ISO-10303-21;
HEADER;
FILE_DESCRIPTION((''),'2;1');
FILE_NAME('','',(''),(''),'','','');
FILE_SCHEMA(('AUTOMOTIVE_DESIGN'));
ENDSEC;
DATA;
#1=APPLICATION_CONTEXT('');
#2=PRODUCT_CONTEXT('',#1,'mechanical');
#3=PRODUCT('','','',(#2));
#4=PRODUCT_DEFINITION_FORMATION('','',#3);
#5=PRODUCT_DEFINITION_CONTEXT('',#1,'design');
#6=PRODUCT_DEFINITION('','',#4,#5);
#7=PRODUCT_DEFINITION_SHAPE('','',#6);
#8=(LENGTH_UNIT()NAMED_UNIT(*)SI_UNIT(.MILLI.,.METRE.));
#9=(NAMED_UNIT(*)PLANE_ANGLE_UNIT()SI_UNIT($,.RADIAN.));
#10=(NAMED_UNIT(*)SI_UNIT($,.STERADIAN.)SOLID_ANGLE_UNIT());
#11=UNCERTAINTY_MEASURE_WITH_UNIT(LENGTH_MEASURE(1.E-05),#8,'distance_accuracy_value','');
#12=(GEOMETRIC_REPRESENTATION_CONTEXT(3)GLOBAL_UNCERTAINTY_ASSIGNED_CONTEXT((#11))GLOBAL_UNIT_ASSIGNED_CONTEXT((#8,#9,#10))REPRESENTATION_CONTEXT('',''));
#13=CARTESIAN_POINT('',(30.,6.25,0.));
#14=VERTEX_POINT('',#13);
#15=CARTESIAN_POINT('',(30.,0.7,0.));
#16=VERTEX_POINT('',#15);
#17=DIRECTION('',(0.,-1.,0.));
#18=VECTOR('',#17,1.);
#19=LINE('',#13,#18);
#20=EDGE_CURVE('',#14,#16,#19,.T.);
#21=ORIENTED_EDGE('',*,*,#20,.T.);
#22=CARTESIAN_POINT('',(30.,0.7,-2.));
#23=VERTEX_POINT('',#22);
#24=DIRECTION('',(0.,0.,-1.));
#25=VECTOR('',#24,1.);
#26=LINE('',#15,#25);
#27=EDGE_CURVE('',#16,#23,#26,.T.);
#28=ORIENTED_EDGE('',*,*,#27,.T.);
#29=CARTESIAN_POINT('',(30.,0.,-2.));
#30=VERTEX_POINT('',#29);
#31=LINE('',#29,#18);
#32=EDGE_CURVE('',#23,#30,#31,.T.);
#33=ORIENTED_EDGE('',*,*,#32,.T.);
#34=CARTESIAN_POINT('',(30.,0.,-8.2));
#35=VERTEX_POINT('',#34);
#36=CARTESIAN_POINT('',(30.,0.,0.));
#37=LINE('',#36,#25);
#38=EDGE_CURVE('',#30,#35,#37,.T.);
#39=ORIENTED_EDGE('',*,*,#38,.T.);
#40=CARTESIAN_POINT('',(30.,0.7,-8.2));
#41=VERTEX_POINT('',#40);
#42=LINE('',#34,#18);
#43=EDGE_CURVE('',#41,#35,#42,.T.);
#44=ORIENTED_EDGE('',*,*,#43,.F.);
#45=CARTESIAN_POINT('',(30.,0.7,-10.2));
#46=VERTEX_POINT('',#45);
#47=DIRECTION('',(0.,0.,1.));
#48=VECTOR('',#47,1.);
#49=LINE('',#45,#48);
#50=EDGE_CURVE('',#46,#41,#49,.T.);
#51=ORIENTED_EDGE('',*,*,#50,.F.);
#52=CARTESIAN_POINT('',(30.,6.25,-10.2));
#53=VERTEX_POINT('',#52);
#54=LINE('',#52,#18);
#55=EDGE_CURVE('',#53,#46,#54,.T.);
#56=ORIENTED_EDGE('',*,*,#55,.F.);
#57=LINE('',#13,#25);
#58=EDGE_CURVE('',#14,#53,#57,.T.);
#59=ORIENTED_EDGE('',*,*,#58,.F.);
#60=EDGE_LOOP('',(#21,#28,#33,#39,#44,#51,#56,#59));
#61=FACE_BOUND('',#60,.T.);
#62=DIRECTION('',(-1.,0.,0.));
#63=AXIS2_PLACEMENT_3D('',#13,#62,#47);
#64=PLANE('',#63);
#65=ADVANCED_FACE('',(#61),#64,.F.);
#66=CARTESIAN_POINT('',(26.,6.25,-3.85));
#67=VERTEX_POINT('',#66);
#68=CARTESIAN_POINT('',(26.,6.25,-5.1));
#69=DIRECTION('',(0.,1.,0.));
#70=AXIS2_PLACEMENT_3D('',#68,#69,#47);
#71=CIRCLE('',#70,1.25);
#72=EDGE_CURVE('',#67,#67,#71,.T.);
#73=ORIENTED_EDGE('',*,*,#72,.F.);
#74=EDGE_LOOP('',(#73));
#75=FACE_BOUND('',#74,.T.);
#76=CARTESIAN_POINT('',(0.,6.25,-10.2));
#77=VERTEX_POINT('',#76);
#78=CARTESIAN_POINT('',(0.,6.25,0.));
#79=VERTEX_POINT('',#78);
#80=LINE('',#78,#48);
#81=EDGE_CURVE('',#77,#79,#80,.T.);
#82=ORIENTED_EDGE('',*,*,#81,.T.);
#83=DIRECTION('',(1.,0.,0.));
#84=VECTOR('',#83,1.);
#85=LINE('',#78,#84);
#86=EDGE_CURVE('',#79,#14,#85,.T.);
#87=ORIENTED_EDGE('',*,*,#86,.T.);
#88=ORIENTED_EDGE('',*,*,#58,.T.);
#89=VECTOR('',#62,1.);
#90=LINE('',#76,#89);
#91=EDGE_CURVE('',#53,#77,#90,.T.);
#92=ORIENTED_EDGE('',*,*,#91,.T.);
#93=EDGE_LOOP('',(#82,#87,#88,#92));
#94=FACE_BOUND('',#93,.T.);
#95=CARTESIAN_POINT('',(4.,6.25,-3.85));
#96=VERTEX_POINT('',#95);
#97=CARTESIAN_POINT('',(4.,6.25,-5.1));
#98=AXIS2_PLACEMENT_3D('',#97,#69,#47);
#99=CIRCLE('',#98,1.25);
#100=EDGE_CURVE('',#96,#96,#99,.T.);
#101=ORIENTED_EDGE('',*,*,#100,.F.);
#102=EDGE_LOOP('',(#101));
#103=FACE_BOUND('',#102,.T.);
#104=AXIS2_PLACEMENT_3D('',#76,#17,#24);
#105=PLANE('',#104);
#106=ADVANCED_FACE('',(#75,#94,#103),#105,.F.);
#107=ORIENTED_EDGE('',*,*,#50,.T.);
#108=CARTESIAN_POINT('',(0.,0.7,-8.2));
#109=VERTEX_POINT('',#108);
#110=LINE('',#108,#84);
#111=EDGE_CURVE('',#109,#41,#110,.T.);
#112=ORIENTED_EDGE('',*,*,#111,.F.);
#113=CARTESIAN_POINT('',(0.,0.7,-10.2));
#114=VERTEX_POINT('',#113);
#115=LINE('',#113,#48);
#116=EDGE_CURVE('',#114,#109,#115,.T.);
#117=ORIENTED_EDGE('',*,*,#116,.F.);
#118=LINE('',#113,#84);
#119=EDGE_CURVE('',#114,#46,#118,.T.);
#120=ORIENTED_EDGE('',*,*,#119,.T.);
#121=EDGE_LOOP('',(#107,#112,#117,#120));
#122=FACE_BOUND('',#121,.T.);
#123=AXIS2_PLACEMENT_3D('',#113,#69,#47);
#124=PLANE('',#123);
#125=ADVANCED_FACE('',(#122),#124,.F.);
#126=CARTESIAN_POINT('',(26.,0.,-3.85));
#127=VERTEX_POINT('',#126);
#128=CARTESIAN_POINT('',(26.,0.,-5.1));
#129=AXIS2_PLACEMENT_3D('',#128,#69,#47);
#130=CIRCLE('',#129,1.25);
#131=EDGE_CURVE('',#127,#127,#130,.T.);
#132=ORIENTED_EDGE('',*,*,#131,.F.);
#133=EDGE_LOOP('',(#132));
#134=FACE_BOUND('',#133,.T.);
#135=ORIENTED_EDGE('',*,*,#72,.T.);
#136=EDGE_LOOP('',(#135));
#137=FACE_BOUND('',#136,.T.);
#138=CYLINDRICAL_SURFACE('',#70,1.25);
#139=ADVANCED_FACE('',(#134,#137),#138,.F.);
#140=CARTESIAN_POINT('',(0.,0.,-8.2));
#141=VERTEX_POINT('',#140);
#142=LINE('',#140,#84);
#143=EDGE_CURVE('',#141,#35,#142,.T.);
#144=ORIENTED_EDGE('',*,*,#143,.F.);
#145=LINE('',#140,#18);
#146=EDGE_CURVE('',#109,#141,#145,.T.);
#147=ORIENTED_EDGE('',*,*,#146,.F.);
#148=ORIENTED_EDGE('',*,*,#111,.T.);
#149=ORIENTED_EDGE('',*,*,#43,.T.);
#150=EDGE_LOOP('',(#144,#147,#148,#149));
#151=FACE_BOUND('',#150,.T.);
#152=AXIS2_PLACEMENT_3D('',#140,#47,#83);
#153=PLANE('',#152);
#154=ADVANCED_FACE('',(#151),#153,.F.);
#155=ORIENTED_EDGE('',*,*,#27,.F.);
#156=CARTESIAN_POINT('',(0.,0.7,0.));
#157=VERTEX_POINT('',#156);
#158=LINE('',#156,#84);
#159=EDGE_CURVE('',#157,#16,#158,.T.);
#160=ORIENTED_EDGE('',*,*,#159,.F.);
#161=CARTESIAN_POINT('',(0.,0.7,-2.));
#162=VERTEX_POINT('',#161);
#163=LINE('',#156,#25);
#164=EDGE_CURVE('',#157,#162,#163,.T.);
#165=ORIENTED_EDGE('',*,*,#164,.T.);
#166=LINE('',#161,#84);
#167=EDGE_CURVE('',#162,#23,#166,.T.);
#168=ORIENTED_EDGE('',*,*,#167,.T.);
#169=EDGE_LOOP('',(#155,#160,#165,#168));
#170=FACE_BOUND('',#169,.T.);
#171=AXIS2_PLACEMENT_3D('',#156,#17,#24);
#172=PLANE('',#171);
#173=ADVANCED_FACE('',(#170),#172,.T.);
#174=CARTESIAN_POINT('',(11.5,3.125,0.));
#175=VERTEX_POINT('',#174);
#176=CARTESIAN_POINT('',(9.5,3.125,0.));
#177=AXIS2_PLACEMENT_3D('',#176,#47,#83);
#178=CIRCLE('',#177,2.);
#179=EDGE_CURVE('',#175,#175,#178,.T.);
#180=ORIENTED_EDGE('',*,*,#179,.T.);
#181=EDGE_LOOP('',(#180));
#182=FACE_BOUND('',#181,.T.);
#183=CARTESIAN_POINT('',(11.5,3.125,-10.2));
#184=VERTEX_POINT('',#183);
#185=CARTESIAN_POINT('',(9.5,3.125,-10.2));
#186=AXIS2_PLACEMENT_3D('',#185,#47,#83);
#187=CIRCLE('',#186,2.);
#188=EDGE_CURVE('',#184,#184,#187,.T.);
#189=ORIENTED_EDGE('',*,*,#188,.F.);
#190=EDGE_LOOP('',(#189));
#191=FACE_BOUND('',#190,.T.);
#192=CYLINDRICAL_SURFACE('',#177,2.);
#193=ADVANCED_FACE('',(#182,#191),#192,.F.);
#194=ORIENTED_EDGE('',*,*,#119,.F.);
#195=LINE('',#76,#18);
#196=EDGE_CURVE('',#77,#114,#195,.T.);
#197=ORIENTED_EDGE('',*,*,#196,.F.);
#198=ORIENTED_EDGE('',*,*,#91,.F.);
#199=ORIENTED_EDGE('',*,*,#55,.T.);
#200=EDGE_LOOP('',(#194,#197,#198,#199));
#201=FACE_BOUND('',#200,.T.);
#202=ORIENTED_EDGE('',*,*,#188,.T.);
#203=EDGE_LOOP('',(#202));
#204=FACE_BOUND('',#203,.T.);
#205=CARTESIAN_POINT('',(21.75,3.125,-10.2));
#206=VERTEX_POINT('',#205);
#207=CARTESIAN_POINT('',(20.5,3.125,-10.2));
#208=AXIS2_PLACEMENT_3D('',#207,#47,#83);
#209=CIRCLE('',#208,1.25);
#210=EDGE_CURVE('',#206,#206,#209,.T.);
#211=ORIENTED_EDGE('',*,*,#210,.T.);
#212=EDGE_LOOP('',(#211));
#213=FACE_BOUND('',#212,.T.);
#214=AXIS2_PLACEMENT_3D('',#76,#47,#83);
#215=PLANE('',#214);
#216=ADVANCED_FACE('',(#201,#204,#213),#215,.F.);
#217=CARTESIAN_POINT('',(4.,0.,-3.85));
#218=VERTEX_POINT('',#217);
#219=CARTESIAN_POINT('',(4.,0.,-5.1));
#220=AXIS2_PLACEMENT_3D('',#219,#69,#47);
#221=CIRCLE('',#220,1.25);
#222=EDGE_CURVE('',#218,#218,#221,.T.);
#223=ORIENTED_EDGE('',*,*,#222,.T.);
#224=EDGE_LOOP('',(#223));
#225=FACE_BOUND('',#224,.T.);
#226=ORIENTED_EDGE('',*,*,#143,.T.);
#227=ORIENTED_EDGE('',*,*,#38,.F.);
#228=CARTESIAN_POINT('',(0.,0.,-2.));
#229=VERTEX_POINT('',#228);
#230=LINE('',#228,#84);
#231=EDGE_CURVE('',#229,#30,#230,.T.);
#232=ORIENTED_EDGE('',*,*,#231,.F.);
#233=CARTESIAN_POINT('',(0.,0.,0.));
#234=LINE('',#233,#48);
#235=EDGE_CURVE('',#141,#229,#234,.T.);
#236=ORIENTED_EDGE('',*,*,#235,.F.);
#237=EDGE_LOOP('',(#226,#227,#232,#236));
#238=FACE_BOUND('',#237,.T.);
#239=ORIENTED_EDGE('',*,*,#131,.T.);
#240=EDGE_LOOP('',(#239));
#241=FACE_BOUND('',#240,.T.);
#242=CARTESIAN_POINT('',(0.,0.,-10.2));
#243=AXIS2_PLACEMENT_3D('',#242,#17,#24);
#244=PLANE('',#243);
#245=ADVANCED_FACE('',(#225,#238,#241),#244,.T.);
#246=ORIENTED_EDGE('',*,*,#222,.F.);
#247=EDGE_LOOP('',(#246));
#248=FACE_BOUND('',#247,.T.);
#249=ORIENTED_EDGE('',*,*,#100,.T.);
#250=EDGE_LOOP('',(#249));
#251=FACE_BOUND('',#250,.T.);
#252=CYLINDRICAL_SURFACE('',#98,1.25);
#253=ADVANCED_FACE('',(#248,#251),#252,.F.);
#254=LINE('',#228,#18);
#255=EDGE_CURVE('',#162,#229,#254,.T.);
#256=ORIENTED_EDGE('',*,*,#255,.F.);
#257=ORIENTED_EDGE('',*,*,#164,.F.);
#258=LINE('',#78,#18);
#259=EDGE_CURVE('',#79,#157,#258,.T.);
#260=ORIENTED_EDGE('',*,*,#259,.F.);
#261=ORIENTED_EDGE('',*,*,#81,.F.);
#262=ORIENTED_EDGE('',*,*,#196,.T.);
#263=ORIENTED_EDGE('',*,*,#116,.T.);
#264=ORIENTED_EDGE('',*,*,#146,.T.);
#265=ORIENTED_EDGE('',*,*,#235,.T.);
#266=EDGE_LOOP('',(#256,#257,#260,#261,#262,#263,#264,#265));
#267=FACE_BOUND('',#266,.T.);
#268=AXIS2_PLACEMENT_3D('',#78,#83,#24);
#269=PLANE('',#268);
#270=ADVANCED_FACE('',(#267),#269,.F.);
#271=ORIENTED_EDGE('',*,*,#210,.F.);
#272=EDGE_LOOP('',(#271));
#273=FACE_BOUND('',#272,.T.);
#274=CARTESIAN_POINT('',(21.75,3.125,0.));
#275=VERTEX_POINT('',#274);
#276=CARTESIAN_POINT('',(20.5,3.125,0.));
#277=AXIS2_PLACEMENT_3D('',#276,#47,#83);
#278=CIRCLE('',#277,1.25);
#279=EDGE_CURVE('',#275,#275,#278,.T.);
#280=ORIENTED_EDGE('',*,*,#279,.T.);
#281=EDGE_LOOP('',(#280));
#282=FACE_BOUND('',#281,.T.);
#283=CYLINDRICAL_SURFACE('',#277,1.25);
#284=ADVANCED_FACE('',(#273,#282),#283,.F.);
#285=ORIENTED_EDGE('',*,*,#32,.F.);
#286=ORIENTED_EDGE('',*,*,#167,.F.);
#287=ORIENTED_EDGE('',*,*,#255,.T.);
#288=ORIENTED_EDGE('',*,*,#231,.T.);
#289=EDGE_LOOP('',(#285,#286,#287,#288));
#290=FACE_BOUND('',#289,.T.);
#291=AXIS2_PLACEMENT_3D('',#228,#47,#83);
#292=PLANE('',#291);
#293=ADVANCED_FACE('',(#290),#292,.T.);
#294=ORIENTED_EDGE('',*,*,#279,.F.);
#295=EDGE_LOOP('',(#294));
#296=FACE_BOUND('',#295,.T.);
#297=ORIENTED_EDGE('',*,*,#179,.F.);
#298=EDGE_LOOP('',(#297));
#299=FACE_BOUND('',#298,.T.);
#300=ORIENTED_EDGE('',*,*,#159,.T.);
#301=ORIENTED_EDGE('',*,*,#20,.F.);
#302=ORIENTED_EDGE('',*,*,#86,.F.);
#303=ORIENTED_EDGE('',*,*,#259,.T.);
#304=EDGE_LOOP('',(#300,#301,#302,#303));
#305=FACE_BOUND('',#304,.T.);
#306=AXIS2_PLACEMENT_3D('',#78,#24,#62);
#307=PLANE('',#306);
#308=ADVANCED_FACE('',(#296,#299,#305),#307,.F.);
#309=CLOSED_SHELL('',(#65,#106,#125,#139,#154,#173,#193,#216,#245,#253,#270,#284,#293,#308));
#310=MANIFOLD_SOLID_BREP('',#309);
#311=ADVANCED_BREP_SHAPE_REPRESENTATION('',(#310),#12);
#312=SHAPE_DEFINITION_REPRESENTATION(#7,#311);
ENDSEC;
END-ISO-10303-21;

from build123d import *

# Parameters (mm, degrees)
SKETCH1_W                  = 30
SKETCH1_H                  = 10.2
BOSS_EXTRUDE1_DEPTH        = 6.25
F_4_0_4_DIAMETER_HOLE1_D   = 4
F_2_5_2_5_DIAMETER_HOLE2_D = 2.5
F_2_5_2_5_DIAMETER_HOLE1_D = 2.5
SKETCH6_W                  = 2
SKETCH6_H                  = 0.7
CUT_EXTRUDE1_DEPTH         = 31


with BuildPart() as part:
    # Sketch1 → Boss-Extrude1 (new body)
    with BuildSketch(Plane(origin=(0, 0, 0), x_dir=(1, 0, 0), z_dir=(0, 1, 0))):
        with Locations((15, 5.1)):
            Rectangle(SKETCH1_W, SKETCH1_H)
    extrude(amount=BOSS_EXTRUDE1_DEPTH)

    # Ø4.0 (4) Diameter Hole1 (through all)
    with Locations(Plane.XY):
        with Locations((9.5, 3.125)):
            Hole(F_4_0_4_DIAMETER_HOLE1_D / 2)

    # Ø2.5 (2.5) Diameter Hole2 (through all)
    with Locations(Plane.XY):
        with Locations((20.5, 3.125)):
            Hole(F_2_5_2_5_DIAMETER_HOLE2_D / 2)

    # Ø2.5 (2.5) Diameter Hole1 (through all)
    with Locations(Plane(origin=(0, 6.25, 0), x_dir=(-1, 0, 0), z_dir=(0, 1, 0))):
        with Locations((-4, -5.1), (-26, -5.1)):
            Hole(F_2_5_2_5_DIAMETER_HOLE1_D / 2)

    # Sketch6 → Cut-Extrude1 (cut, through all)
    with BuildSketch(Plane(origin=(30, 0, 0), x_dir=(0, 0, -1), z_dir=(1, 0, 0))):
        with Locations((9.2, 0.35)):
            Rectangle(SKETCH6_W, SKETCH6_H)
    cut_extrude1 = extrude(amount=-CUT_EXTRUDE1_DEPTH, mode=Mode.SUBTRACT)

    # Mirror1: Cut-Extrude1 across plane
    add(cut_extrude1.mirror(Plane.XY.offset(-5.1)), mode=Mode.SUBTRACT)


solid = part.part
